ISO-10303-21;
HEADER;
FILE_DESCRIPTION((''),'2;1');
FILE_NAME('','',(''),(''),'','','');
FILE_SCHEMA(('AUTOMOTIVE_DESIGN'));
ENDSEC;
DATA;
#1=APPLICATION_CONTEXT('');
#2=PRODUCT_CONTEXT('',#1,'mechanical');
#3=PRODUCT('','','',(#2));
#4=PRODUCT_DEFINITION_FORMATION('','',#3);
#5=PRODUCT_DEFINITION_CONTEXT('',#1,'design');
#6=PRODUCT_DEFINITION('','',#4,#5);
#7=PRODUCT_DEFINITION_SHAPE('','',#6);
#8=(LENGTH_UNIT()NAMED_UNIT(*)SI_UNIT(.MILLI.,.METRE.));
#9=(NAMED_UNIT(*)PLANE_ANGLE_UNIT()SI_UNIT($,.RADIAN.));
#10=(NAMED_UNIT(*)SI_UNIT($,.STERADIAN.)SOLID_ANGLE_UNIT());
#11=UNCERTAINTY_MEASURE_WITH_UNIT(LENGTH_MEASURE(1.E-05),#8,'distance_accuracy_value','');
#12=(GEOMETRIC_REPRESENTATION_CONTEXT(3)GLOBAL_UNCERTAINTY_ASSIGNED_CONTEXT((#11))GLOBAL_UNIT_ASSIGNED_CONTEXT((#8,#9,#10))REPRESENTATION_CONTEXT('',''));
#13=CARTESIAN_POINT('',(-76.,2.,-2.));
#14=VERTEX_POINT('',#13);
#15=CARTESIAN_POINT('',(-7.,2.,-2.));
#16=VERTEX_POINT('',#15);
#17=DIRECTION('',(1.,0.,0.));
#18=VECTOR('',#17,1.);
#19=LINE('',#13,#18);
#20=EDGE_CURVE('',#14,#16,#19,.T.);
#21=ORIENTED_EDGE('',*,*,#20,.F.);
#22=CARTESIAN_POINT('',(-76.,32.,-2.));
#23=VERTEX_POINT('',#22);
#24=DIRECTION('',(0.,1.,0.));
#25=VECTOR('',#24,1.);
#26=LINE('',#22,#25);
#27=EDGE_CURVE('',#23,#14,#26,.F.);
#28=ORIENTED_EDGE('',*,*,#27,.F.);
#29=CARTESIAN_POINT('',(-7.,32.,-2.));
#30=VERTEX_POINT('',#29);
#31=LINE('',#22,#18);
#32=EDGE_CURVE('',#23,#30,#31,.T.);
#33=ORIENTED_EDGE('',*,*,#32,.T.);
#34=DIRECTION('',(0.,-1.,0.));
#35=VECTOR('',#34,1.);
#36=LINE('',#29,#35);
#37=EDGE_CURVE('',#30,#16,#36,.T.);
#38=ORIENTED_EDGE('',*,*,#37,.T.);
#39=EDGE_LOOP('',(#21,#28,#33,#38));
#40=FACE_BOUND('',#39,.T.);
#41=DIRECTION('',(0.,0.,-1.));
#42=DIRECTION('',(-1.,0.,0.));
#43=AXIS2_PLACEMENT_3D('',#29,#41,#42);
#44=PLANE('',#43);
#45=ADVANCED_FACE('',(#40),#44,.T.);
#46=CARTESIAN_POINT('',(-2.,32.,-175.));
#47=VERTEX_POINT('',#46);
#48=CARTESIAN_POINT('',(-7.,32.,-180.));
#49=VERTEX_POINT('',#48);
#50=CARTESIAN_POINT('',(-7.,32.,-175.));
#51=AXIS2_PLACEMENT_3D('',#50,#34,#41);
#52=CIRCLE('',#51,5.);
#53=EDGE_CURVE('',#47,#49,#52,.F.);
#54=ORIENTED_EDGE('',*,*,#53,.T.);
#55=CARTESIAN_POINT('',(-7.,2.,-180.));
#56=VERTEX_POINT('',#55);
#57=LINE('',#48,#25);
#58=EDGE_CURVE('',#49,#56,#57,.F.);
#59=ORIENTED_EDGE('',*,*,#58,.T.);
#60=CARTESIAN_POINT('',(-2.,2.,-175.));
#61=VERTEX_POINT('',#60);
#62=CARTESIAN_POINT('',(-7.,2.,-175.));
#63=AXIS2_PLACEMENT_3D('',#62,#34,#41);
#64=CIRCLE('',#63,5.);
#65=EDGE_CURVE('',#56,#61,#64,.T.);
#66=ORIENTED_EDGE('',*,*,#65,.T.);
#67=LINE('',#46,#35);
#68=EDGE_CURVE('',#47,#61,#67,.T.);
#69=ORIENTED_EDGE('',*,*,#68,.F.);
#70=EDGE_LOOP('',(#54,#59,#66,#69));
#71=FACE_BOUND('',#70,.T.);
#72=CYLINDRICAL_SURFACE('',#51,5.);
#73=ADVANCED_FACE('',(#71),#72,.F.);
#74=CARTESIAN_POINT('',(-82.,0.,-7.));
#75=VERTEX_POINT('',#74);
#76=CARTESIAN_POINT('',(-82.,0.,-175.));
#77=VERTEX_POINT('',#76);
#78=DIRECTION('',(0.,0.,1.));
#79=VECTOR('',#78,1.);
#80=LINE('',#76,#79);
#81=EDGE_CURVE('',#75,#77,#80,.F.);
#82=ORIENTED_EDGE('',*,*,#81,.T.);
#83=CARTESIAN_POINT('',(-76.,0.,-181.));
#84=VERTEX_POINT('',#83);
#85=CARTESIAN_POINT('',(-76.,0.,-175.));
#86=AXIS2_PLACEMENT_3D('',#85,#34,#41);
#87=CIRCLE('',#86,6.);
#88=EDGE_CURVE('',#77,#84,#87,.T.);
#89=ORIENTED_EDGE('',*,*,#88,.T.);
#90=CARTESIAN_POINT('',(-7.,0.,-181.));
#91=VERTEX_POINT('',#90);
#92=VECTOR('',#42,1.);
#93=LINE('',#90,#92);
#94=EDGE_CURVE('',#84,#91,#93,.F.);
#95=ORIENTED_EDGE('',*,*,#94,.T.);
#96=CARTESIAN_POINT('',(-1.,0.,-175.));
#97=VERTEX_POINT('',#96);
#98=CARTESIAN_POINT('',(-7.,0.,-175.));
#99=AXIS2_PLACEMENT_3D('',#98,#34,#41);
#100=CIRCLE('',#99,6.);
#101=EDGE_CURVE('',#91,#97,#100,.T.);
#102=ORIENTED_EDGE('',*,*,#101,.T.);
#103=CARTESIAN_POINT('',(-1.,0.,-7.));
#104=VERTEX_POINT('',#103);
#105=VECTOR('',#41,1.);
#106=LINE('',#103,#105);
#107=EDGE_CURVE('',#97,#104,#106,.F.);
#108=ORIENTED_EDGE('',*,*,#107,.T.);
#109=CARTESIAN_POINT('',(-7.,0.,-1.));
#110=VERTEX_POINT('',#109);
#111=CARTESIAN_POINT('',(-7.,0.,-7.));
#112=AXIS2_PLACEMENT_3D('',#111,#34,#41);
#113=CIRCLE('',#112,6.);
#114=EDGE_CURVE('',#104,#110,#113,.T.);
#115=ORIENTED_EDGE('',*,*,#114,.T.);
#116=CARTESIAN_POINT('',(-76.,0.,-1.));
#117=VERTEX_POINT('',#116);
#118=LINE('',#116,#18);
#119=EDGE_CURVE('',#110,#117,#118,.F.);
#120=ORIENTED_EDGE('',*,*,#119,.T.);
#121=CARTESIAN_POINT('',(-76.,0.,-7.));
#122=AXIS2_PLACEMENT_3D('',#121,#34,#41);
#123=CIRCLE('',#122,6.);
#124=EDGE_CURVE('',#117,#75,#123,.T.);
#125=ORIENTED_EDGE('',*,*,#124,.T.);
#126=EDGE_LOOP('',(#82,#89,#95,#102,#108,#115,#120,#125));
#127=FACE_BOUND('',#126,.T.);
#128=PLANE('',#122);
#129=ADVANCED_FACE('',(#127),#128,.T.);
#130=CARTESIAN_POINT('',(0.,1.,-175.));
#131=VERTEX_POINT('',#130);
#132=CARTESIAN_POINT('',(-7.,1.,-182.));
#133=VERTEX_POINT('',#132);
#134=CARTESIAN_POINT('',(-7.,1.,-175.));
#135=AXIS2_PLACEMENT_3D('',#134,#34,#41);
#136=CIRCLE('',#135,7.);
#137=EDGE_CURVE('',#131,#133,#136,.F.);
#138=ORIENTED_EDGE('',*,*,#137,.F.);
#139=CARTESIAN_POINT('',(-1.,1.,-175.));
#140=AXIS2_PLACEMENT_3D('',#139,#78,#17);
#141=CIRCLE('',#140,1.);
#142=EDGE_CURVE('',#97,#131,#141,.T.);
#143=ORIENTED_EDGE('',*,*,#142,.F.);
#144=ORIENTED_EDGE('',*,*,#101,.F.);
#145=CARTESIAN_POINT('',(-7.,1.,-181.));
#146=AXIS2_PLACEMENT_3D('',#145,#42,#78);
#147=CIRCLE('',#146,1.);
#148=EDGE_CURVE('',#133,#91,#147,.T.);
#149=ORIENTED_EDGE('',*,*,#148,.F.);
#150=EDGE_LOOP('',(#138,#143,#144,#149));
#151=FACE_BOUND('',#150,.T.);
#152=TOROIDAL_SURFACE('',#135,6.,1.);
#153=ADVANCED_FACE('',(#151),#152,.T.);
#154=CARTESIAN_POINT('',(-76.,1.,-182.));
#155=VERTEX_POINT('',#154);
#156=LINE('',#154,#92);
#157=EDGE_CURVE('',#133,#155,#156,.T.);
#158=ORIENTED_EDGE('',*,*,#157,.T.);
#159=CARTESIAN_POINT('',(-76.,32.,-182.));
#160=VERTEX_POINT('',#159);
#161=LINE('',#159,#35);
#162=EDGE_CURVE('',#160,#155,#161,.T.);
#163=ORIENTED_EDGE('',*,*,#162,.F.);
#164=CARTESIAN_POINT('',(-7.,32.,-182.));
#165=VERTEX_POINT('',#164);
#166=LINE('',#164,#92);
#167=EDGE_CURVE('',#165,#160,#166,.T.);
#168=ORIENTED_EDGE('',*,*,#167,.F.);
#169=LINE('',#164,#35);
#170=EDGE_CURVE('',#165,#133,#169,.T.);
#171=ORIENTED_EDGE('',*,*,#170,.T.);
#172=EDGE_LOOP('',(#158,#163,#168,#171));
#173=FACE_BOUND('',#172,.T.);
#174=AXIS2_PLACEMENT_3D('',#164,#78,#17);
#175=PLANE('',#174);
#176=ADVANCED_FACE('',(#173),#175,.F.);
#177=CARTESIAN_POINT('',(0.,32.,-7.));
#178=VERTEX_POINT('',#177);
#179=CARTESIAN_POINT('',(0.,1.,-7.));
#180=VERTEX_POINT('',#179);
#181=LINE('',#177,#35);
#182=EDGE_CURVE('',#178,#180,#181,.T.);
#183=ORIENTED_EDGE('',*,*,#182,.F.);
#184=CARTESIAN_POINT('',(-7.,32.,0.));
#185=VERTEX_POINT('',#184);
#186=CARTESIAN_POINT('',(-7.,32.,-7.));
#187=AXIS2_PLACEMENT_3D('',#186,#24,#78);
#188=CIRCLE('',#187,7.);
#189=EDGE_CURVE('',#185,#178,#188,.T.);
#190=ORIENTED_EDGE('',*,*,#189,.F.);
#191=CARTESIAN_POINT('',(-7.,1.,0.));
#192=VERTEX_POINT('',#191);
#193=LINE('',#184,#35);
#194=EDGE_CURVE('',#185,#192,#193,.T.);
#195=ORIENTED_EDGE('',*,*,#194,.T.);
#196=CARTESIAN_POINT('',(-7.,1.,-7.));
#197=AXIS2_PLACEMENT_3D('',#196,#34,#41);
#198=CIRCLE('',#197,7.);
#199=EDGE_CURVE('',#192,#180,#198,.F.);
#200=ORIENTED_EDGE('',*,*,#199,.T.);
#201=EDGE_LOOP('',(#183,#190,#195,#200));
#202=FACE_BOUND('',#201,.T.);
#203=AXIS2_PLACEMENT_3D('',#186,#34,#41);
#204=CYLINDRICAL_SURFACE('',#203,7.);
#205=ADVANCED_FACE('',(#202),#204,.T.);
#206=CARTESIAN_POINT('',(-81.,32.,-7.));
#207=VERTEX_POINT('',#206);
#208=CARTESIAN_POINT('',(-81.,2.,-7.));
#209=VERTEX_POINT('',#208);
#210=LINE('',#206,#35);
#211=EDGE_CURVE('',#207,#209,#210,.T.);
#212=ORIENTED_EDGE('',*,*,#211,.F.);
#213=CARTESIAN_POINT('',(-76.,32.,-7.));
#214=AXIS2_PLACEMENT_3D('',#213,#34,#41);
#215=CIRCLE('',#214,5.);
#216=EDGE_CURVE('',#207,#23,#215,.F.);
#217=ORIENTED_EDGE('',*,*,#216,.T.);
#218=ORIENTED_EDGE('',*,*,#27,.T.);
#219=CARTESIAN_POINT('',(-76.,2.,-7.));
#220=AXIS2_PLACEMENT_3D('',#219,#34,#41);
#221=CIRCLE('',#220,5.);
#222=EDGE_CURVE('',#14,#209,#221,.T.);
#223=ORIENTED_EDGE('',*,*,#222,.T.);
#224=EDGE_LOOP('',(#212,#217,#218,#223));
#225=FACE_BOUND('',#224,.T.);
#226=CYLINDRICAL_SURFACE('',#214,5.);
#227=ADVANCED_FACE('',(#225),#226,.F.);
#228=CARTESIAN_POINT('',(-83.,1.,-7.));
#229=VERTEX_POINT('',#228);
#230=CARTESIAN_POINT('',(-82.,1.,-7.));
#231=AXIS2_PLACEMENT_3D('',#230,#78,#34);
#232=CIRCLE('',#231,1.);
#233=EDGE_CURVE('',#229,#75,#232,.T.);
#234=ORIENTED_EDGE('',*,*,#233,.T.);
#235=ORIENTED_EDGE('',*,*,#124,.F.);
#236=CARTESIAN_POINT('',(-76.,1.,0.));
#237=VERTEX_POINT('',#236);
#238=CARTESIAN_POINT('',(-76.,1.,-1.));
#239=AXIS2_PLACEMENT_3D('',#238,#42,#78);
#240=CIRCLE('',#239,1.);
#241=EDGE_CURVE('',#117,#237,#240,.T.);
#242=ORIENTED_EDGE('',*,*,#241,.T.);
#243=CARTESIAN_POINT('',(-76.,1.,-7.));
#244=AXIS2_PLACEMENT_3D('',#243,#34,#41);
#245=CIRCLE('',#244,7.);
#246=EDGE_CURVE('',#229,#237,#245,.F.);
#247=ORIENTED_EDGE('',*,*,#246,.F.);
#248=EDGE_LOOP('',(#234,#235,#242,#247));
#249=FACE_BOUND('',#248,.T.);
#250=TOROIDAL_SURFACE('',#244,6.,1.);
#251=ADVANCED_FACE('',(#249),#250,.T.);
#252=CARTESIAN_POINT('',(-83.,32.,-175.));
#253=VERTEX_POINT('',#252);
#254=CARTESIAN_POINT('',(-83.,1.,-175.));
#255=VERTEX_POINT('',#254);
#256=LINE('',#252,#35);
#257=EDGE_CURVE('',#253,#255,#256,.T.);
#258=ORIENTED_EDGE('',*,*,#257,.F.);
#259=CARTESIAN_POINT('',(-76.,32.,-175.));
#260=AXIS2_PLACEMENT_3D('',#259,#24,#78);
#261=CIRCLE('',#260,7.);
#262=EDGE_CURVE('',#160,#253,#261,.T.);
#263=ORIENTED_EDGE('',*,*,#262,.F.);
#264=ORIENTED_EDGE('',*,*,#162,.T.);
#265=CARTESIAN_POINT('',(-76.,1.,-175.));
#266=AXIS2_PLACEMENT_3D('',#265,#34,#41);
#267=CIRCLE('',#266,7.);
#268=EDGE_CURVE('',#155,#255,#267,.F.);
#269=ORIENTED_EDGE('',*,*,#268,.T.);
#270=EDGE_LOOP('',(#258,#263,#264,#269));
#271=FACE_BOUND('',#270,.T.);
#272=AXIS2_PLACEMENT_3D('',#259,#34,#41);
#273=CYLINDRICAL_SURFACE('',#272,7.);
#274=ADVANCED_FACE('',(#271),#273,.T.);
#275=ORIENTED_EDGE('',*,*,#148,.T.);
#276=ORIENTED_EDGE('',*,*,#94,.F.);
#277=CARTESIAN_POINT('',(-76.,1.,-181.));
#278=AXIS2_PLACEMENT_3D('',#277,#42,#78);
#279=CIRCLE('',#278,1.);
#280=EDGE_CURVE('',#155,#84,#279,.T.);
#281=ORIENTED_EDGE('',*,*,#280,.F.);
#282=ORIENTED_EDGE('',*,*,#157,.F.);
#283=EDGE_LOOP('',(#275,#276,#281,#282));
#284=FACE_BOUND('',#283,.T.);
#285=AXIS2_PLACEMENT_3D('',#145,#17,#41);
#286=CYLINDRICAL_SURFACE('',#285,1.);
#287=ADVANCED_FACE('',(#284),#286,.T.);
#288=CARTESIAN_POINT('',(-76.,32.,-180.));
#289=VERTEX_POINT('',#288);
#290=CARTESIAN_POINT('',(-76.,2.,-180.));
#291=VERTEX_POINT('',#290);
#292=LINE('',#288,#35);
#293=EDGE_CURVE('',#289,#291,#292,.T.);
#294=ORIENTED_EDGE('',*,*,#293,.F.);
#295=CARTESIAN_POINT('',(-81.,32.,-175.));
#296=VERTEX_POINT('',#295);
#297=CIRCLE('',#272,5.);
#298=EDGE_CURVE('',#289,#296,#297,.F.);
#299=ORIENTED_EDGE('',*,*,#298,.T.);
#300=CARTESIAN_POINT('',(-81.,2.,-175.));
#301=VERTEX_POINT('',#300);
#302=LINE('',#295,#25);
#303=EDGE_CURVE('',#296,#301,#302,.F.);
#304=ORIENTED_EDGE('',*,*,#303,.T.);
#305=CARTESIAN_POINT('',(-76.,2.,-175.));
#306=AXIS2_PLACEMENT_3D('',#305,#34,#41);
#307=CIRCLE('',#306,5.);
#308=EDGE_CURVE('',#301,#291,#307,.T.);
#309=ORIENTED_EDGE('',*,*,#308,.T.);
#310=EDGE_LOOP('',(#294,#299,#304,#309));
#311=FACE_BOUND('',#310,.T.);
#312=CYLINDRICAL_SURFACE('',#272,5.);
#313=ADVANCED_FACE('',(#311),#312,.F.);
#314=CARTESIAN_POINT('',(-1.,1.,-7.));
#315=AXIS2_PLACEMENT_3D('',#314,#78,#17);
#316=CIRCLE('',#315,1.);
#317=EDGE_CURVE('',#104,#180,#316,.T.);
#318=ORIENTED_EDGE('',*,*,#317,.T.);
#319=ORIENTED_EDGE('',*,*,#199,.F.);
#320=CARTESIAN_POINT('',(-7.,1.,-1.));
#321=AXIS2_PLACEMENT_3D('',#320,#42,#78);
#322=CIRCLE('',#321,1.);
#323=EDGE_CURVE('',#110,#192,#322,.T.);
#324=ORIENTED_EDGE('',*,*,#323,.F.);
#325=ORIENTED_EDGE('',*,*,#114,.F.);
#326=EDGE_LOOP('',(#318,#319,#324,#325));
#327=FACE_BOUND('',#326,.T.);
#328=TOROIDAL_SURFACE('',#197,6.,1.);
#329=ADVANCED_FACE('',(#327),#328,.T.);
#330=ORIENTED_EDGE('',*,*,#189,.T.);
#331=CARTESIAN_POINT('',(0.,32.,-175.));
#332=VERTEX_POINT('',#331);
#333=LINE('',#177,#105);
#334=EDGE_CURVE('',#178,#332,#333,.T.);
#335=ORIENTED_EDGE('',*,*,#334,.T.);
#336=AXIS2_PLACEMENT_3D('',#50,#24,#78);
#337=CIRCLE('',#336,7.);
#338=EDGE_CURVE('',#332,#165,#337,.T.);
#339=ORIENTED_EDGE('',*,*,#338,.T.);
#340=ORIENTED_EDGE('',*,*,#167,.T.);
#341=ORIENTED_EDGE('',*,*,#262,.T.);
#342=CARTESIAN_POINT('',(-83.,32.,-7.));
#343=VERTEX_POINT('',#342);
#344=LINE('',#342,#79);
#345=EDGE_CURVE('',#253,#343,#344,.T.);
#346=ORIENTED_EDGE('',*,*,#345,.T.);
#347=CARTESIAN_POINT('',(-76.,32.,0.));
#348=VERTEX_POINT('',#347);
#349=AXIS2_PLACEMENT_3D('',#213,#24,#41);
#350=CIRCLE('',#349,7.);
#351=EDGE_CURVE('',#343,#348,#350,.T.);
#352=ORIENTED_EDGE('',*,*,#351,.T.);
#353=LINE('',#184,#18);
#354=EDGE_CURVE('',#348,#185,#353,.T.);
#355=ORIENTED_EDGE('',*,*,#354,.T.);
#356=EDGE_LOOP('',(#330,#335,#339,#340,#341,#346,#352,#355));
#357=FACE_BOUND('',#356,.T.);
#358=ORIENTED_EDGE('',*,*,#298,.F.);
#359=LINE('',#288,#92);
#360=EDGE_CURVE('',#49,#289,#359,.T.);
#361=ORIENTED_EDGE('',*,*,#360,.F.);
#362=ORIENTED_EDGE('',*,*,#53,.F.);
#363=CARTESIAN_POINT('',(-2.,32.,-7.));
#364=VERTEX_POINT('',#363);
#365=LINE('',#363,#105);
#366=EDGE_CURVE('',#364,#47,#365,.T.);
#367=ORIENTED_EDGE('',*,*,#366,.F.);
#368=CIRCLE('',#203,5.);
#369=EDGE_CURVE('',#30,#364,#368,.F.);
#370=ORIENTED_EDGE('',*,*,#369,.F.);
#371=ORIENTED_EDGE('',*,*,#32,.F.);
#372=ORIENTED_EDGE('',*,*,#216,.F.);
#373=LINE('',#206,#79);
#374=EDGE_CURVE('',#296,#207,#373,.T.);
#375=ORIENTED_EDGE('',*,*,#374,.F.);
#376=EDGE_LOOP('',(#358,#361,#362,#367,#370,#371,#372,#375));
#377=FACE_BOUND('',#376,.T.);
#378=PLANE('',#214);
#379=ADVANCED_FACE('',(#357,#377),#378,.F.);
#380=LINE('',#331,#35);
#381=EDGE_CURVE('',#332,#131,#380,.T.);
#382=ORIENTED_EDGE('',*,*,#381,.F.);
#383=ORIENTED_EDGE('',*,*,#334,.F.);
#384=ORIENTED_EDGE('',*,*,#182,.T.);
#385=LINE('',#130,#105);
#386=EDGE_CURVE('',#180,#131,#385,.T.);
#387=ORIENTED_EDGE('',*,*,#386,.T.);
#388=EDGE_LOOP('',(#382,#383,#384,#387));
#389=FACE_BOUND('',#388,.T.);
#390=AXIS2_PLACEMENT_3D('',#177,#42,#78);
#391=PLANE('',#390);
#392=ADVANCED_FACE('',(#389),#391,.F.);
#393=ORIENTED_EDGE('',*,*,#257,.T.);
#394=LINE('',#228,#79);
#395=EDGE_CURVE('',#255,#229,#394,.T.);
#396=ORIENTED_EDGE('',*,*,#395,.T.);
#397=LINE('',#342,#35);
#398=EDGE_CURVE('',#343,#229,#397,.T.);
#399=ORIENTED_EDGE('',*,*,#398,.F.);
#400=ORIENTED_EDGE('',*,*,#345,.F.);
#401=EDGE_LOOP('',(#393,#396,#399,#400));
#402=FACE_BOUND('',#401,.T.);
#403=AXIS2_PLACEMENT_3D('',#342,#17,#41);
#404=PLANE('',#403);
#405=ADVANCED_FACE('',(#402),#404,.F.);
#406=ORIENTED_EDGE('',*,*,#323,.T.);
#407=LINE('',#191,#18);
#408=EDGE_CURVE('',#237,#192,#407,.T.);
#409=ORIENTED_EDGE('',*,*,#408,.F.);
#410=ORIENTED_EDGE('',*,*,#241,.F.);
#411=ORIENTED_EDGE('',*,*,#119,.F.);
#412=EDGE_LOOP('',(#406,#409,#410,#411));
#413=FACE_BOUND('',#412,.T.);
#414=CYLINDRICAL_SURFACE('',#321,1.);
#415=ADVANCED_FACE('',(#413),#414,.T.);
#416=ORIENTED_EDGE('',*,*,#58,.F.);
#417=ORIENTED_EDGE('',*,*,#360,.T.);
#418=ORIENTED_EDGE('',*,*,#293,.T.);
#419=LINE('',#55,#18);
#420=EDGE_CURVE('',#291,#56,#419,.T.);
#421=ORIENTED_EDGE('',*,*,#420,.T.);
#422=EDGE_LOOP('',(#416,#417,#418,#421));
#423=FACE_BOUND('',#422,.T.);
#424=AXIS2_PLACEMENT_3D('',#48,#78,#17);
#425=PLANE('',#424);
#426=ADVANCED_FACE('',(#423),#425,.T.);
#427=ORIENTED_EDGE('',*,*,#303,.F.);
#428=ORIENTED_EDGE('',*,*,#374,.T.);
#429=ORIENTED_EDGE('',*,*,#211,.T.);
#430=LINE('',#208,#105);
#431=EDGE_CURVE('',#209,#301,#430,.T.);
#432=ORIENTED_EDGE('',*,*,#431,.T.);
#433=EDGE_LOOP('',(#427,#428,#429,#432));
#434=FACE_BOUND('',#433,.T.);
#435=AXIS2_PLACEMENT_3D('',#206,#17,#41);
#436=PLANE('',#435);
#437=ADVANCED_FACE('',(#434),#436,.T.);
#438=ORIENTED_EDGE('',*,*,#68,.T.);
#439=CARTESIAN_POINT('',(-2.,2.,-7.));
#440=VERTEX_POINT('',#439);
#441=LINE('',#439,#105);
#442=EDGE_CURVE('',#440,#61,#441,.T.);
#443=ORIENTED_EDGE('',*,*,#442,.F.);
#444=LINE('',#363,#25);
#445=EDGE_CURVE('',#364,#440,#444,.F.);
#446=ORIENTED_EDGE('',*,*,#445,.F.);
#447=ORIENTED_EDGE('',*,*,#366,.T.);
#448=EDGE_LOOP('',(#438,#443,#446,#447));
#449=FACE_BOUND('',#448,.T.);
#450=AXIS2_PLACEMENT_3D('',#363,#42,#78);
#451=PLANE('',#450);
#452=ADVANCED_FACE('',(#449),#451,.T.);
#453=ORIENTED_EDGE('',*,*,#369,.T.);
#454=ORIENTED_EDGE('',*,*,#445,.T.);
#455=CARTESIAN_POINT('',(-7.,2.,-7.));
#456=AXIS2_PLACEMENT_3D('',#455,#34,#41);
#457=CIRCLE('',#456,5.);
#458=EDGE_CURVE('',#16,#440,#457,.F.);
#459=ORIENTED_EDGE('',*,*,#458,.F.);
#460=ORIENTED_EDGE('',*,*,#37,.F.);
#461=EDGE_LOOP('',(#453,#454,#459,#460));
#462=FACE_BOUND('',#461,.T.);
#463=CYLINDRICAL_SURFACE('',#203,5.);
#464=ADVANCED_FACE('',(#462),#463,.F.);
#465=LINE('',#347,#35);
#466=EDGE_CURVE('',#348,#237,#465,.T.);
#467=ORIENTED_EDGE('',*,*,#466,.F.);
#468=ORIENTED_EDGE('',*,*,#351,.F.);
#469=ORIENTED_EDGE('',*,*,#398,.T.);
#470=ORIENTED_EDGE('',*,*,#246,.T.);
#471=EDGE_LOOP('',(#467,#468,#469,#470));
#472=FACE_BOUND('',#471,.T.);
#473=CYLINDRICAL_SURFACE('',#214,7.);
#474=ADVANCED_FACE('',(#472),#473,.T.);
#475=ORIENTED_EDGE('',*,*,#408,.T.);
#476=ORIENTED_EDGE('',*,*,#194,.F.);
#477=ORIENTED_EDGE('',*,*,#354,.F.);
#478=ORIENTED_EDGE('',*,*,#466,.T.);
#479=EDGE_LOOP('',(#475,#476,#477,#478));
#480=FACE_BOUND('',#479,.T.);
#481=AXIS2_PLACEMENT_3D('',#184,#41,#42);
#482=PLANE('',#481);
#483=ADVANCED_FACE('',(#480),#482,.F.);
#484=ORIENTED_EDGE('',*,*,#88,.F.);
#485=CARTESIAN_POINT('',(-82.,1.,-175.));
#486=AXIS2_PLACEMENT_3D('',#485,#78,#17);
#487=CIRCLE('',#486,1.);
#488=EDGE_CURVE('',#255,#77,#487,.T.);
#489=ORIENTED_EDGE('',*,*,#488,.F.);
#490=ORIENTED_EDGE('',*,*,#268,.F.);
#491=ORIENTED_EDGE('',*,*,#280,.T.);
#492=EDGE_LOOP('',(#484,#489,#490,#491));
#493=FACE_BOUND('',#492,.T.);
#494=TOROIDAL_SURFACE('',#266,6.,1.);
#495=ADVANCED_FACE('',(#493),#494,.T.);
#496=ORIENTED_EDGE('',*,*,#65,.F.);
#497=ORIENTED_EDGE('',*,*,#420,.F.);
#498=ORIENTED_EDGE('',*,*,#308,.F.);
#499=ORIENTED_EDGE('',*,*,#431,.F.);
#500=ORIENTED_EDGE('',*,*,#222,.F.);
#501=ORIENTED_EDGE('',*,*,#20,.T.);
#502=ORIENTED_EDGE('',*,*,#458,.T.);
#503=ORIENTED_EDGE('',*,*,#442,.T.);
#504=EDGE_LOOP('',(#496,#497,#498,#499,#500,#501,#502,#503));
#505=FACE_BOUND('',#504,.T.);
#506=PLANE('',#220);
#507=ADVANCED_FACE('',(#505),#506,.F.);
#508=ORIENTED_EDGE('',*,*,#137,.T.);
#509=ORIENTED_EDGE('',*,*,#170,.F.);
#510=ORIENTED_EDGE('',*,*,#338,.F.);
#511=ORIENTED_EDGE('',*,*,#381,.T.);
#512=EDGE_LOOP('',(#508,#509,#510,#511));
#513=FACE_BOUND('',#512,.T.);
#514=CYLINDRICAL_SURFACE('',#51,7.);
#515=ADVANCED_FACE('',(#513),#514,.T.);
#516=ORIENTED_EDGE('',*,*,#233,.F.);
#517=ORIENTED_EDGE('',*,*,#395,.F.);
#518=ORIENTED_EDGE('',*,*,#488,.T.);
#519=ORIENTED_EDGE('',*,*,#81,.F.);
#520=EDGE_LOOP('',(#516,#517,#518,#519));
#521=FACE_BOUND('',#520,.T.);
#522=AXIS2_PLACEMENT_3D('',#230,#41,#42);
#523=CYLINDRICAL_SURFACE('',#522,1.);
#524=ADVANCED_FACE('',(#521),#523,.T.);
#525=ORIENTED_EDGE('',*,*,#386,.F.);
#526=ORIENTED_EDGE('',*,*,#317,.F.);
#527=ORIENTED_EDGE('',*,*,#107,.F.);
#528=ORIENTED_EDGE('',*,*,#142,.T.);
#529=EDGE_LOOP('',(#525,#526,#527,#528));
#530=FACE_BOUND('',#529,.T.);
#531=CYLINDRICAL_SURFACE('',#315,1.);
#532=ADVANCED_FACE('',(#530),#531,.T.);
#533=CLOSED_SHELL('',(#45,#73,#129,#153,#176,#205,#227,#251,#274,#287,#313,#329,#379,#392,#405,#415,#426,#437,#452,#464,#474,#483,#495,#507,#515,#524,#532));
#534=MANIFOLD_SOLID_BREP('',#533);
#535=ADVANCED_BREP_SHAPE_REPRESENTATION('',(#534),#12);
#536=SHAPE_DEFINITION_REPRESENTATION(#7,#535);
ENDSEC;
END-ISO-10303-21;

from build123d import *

# Parameters (mm, degrees)
EXTRUDE_1_DEPTH = 32
FILLET_1_R      = 1
SHELL_2_T       = -2


with BuildPart() as part:
    # Эскиз1 → Бобышка-Вытянуть1 (new body)
    with BuildSketch(Plane(origin=(0, 0, 0), x_dir=(1, 0, 0), z_dir=(0, 1, 0))):
        with BuildLine():
            Line((-7, 0), (-76, 0))
            ThreePointArc((-76, 0), (-80.949747468, 2.050252532), (-83, 7))
            Line((-83, 7), (-83, 175))
            ThreePointArc((-83, 175), (-80.949747468, 179.949747468), (-76, 182))
            Line((-76, 182), (-7, 182))
            ThreePointArc((-7, 182), (-2.050252532, 179.949747468), (0, 175))
            Line((0, 175), (0, 7))
            ThreePointArc((0, 7), (-2.050252532, 2.050252532), (-7, 0))
        make_face()
    extrude(amount=EXTRUDE_1_DEPTH)

    # Скругление1
    fillet_1_edges = [part.edges().sort_by_distance(p)[0] for p in [
        (0, 0, -91),
        (-2.050252532, 0, -2.050252532),
        (-41.5, 0, 0),
        (-80.949747468, 0, -2.050252532),
        (-83, 0, -91),
        (-80.949747468, 0, -179.949747468),
        (-41.5, 0, -182),
        (-2.050252532, 0, -179.949747468),
    ]]
    fillet(fillet_1_edges, radius=FILLET_1_R)

    # Оболочка2
    shell_2_openings = [part.faces().sort_by_distance(p)[0] for p in [
        (-41.5, 32, -91),
    ]]
    offset(amount=SHELL_2_T, openings=shell_2_openings, kind=Kind.INTERSECTION)


solid = part.part
